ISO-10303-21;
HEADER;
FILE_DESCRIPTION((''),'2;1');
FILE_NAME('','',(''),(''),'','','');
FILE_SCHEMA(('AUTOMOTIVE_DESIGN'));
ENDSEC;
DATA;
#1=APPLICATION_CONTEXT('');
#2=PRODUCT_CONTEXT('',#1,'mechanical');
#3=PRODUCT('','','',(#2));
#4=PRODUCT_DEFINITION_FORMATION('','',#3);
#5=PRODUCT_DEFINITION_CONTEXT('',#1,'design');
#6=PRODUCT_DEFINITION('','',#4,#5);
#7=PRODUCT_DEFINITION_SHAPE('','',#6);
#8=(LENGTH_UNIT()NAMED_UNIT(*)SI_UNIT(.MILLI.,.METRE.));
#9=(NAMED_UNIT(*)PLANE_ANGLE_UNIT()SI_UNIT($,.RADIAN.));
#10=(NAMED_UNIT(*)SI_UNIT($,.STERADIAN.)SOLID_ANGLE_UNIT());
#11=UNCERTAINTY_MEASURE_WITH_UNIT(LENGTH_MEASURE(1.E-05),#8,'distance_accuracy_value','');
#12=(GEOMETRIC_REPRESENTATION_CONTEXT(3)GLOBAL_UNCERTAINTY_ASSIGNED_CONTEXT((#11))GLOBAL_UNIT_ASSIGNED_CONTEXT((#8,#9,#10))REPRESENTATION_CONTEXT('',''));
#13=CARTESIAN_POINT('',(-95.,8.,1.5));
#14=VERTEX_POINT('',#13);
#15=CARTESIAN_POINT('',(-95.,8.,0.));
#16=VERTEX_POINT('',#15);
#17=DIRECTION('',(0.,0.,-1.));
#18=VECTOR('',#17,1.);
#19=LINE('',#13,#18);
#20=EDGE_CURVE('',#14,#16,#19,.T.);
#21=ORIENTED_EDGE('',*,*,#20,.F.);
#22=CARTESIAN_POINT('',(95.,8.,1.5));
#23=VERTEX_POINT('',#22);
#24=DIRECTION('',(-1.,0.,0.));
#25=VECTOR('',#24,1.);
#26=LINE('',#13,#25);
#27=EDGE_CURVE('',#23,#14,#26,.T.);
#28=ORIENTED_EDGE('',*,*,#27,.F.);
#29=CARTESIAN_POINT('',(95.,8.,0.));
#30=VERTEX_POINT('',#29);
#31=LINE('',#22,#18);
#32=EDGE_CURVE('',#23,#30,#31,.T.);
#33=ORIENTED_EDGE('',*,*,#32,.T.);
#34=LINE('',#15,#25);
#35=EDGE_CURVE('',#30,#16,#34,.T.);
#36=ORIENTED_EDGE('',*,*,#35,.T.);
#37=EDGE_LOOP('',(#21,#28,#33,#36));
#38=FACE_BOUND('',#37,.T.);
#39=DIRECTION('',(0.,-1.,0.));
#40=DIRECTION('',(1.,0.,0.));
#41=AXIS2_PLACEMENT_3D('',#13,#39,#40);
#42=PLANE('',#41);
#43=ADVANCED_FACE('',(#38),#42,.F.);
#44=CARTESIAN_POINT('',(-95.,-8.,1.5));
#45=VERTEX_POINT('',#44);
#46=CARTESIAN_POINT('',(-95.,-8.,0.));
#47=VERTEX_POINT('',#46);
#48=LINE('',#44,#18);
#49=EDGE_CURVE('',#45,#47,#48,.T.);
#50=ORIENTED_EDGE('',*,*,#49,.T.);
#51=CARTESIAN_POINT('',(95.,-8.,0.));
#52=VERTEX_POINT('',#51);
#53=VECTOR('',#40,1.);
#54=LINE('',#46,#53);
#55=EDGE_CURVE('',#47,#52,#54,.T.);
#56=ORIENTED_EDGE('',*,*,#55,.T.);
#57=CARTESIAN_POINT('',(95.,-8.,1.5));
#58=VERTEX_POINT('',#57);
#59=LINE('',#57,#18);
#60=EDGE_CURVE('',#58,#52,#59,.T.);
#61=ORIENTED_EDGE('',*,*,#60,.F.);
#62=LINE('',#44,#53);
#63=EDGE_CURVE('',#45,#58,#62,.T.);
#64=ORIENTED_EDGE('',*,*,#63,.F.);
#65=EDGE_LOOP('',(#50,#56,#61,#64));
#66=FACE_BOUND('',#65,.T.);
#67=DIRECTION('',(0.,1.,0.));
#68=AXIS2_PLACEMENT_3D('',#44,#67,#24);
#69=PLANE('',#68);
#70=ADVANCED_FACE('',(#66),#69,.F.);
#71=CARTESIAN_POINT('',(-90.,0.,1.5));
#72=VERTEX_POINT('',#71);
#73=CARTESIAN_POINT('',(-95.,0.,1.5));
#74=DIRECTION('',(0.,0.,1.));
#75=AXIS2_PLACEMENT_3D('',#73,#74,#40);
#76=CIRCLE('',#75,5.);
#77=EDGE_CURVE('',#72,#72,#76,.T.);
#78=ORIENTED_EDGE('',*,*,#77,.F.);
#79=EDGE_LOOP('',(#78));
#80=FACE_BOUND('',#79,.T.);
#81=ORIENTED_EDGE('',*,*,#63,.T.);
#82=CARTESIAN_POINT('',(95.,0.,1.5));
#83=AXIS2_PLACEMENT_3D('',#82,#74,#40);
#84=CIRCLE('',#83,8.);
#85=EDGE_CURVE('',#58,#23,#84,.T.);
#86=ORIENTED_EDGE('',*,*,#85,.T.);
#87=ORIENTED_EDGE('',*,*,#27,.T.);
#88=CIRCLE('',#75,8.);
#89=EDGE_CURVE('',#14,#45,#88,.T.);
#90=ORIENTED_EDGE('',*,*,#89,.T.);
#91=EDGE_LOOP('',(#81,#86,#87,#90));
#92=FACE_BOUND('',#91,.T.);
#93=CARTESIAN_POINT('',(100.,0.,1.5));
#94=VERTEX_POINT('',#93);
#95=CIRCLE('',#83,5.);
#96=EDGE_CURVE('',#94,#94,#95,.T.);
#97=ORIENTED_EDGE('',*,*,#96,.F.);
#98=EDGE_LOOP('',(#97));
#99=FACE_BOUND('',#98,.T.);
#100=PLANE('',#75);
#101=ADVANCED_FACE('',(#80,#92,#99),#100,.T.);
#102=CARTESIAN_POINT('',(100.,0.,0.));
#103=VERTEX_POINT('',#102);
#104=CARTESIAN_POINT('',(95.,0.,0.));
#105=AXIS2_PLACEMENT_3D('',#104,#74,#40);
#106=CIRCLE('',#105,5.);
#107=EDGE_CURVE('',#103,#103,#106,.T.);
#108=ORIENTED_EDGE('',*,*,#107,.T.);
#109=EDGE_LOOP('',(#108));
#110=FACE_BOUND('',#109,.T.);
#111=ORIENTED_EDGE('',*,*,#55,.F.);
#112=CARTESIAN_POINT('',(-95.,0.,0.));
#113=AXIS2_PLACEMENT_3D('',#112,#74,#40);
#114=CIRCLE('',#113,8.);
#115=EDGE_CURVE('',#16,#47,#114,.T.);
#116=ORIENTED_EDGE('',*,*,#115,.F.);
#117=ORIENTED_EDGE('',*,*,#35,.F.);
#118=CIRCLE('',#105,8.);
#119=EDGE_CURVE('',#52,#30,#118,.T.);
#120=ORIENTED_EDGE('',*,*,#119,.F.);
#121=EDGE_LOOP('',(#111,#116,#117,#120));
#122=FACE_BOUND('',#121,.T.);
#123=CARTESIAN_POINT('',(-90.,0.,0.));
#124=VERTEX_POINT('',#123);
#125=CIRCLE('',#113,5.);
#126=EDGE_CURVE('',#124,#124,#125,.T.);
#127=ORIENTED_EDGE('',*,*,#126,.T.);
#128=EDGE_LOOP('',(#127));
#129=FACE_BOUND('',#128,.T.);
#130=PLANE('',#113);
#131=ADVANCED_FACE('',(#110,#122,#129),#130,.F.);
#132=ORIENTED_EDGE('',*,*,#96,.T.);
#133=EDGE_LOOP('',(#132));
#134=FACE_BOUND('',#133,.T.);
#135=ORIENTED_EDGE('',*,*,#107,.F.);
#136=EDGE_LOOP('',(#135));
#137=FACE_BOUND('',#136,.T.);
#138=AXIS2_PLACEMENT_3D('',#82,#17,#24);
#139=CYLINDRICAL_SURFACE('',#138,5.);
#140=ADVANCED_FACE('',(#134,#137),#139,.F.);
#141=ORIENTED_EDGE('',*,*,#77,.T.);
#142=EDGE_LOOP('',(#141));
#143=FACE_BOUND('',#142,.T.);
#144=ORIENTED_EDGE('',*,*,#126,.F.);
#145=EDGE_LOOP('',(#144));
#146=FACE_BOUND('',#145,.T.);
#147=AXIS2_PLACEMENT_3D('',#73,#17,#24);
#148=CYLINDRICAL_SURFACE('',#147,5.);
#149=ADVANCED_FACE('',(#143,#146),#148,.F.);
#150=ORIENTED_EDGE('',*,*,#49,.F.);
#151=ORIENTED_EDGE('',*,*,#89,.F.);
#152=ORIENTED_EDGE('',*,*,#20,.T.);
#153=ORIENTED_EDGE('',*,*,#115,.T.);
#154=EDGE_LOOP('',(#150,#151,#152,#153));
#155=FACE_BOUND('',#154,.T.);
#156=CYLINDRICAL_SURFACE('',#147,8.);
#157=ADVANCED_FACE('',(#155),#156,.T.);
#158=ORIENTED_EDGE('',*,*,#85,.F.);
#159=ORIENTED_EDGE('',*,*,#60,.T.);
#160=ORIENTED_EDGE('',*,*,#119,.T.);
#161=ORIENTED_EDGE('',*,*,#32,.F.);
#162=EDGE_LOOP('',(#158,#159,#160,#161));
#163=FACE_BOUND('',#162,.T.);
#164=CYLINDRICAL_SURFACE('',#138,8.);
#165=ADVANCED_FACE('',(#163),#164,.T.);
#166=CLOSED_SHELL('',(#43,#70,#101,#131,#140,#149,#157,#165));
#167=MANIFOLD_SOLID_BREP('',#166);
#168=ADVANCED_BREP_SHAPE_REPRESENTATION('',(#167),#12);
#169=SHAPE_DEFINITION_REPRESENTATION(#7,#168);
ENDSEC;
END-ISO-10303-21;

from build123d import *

# Parameters (mm, degrees)
SKETCH1_R           = 5
BOSS_EXTRUDE1_DEPTH = 1.5


with BuildPart() as part:
    # Sketch1 → Boss-Extrude1 (new body)
    with BuildSketch(Plane.XY):
        with BuildLine():
            Line((-95, 8), (95, 8))
            ThreePointArc((95, 8), (103, 0), (95, -8))
            Line((95, -8), (-95, -8))
            ThreePointArc((-95, -8), (-103, 0), (-95, 8))
        make_face()
        with Locations((-95, 0)):
            Circle(SKETCH1_R, mode=Mode.SUBTRACT)
        with Locations((95, 0)):
            Circle(SKETCH1_R, mode=Mode.SUBTRACT)
    extrude(amount=BOSS_EXTRUDE1_DEPTH)


solid = part.part
